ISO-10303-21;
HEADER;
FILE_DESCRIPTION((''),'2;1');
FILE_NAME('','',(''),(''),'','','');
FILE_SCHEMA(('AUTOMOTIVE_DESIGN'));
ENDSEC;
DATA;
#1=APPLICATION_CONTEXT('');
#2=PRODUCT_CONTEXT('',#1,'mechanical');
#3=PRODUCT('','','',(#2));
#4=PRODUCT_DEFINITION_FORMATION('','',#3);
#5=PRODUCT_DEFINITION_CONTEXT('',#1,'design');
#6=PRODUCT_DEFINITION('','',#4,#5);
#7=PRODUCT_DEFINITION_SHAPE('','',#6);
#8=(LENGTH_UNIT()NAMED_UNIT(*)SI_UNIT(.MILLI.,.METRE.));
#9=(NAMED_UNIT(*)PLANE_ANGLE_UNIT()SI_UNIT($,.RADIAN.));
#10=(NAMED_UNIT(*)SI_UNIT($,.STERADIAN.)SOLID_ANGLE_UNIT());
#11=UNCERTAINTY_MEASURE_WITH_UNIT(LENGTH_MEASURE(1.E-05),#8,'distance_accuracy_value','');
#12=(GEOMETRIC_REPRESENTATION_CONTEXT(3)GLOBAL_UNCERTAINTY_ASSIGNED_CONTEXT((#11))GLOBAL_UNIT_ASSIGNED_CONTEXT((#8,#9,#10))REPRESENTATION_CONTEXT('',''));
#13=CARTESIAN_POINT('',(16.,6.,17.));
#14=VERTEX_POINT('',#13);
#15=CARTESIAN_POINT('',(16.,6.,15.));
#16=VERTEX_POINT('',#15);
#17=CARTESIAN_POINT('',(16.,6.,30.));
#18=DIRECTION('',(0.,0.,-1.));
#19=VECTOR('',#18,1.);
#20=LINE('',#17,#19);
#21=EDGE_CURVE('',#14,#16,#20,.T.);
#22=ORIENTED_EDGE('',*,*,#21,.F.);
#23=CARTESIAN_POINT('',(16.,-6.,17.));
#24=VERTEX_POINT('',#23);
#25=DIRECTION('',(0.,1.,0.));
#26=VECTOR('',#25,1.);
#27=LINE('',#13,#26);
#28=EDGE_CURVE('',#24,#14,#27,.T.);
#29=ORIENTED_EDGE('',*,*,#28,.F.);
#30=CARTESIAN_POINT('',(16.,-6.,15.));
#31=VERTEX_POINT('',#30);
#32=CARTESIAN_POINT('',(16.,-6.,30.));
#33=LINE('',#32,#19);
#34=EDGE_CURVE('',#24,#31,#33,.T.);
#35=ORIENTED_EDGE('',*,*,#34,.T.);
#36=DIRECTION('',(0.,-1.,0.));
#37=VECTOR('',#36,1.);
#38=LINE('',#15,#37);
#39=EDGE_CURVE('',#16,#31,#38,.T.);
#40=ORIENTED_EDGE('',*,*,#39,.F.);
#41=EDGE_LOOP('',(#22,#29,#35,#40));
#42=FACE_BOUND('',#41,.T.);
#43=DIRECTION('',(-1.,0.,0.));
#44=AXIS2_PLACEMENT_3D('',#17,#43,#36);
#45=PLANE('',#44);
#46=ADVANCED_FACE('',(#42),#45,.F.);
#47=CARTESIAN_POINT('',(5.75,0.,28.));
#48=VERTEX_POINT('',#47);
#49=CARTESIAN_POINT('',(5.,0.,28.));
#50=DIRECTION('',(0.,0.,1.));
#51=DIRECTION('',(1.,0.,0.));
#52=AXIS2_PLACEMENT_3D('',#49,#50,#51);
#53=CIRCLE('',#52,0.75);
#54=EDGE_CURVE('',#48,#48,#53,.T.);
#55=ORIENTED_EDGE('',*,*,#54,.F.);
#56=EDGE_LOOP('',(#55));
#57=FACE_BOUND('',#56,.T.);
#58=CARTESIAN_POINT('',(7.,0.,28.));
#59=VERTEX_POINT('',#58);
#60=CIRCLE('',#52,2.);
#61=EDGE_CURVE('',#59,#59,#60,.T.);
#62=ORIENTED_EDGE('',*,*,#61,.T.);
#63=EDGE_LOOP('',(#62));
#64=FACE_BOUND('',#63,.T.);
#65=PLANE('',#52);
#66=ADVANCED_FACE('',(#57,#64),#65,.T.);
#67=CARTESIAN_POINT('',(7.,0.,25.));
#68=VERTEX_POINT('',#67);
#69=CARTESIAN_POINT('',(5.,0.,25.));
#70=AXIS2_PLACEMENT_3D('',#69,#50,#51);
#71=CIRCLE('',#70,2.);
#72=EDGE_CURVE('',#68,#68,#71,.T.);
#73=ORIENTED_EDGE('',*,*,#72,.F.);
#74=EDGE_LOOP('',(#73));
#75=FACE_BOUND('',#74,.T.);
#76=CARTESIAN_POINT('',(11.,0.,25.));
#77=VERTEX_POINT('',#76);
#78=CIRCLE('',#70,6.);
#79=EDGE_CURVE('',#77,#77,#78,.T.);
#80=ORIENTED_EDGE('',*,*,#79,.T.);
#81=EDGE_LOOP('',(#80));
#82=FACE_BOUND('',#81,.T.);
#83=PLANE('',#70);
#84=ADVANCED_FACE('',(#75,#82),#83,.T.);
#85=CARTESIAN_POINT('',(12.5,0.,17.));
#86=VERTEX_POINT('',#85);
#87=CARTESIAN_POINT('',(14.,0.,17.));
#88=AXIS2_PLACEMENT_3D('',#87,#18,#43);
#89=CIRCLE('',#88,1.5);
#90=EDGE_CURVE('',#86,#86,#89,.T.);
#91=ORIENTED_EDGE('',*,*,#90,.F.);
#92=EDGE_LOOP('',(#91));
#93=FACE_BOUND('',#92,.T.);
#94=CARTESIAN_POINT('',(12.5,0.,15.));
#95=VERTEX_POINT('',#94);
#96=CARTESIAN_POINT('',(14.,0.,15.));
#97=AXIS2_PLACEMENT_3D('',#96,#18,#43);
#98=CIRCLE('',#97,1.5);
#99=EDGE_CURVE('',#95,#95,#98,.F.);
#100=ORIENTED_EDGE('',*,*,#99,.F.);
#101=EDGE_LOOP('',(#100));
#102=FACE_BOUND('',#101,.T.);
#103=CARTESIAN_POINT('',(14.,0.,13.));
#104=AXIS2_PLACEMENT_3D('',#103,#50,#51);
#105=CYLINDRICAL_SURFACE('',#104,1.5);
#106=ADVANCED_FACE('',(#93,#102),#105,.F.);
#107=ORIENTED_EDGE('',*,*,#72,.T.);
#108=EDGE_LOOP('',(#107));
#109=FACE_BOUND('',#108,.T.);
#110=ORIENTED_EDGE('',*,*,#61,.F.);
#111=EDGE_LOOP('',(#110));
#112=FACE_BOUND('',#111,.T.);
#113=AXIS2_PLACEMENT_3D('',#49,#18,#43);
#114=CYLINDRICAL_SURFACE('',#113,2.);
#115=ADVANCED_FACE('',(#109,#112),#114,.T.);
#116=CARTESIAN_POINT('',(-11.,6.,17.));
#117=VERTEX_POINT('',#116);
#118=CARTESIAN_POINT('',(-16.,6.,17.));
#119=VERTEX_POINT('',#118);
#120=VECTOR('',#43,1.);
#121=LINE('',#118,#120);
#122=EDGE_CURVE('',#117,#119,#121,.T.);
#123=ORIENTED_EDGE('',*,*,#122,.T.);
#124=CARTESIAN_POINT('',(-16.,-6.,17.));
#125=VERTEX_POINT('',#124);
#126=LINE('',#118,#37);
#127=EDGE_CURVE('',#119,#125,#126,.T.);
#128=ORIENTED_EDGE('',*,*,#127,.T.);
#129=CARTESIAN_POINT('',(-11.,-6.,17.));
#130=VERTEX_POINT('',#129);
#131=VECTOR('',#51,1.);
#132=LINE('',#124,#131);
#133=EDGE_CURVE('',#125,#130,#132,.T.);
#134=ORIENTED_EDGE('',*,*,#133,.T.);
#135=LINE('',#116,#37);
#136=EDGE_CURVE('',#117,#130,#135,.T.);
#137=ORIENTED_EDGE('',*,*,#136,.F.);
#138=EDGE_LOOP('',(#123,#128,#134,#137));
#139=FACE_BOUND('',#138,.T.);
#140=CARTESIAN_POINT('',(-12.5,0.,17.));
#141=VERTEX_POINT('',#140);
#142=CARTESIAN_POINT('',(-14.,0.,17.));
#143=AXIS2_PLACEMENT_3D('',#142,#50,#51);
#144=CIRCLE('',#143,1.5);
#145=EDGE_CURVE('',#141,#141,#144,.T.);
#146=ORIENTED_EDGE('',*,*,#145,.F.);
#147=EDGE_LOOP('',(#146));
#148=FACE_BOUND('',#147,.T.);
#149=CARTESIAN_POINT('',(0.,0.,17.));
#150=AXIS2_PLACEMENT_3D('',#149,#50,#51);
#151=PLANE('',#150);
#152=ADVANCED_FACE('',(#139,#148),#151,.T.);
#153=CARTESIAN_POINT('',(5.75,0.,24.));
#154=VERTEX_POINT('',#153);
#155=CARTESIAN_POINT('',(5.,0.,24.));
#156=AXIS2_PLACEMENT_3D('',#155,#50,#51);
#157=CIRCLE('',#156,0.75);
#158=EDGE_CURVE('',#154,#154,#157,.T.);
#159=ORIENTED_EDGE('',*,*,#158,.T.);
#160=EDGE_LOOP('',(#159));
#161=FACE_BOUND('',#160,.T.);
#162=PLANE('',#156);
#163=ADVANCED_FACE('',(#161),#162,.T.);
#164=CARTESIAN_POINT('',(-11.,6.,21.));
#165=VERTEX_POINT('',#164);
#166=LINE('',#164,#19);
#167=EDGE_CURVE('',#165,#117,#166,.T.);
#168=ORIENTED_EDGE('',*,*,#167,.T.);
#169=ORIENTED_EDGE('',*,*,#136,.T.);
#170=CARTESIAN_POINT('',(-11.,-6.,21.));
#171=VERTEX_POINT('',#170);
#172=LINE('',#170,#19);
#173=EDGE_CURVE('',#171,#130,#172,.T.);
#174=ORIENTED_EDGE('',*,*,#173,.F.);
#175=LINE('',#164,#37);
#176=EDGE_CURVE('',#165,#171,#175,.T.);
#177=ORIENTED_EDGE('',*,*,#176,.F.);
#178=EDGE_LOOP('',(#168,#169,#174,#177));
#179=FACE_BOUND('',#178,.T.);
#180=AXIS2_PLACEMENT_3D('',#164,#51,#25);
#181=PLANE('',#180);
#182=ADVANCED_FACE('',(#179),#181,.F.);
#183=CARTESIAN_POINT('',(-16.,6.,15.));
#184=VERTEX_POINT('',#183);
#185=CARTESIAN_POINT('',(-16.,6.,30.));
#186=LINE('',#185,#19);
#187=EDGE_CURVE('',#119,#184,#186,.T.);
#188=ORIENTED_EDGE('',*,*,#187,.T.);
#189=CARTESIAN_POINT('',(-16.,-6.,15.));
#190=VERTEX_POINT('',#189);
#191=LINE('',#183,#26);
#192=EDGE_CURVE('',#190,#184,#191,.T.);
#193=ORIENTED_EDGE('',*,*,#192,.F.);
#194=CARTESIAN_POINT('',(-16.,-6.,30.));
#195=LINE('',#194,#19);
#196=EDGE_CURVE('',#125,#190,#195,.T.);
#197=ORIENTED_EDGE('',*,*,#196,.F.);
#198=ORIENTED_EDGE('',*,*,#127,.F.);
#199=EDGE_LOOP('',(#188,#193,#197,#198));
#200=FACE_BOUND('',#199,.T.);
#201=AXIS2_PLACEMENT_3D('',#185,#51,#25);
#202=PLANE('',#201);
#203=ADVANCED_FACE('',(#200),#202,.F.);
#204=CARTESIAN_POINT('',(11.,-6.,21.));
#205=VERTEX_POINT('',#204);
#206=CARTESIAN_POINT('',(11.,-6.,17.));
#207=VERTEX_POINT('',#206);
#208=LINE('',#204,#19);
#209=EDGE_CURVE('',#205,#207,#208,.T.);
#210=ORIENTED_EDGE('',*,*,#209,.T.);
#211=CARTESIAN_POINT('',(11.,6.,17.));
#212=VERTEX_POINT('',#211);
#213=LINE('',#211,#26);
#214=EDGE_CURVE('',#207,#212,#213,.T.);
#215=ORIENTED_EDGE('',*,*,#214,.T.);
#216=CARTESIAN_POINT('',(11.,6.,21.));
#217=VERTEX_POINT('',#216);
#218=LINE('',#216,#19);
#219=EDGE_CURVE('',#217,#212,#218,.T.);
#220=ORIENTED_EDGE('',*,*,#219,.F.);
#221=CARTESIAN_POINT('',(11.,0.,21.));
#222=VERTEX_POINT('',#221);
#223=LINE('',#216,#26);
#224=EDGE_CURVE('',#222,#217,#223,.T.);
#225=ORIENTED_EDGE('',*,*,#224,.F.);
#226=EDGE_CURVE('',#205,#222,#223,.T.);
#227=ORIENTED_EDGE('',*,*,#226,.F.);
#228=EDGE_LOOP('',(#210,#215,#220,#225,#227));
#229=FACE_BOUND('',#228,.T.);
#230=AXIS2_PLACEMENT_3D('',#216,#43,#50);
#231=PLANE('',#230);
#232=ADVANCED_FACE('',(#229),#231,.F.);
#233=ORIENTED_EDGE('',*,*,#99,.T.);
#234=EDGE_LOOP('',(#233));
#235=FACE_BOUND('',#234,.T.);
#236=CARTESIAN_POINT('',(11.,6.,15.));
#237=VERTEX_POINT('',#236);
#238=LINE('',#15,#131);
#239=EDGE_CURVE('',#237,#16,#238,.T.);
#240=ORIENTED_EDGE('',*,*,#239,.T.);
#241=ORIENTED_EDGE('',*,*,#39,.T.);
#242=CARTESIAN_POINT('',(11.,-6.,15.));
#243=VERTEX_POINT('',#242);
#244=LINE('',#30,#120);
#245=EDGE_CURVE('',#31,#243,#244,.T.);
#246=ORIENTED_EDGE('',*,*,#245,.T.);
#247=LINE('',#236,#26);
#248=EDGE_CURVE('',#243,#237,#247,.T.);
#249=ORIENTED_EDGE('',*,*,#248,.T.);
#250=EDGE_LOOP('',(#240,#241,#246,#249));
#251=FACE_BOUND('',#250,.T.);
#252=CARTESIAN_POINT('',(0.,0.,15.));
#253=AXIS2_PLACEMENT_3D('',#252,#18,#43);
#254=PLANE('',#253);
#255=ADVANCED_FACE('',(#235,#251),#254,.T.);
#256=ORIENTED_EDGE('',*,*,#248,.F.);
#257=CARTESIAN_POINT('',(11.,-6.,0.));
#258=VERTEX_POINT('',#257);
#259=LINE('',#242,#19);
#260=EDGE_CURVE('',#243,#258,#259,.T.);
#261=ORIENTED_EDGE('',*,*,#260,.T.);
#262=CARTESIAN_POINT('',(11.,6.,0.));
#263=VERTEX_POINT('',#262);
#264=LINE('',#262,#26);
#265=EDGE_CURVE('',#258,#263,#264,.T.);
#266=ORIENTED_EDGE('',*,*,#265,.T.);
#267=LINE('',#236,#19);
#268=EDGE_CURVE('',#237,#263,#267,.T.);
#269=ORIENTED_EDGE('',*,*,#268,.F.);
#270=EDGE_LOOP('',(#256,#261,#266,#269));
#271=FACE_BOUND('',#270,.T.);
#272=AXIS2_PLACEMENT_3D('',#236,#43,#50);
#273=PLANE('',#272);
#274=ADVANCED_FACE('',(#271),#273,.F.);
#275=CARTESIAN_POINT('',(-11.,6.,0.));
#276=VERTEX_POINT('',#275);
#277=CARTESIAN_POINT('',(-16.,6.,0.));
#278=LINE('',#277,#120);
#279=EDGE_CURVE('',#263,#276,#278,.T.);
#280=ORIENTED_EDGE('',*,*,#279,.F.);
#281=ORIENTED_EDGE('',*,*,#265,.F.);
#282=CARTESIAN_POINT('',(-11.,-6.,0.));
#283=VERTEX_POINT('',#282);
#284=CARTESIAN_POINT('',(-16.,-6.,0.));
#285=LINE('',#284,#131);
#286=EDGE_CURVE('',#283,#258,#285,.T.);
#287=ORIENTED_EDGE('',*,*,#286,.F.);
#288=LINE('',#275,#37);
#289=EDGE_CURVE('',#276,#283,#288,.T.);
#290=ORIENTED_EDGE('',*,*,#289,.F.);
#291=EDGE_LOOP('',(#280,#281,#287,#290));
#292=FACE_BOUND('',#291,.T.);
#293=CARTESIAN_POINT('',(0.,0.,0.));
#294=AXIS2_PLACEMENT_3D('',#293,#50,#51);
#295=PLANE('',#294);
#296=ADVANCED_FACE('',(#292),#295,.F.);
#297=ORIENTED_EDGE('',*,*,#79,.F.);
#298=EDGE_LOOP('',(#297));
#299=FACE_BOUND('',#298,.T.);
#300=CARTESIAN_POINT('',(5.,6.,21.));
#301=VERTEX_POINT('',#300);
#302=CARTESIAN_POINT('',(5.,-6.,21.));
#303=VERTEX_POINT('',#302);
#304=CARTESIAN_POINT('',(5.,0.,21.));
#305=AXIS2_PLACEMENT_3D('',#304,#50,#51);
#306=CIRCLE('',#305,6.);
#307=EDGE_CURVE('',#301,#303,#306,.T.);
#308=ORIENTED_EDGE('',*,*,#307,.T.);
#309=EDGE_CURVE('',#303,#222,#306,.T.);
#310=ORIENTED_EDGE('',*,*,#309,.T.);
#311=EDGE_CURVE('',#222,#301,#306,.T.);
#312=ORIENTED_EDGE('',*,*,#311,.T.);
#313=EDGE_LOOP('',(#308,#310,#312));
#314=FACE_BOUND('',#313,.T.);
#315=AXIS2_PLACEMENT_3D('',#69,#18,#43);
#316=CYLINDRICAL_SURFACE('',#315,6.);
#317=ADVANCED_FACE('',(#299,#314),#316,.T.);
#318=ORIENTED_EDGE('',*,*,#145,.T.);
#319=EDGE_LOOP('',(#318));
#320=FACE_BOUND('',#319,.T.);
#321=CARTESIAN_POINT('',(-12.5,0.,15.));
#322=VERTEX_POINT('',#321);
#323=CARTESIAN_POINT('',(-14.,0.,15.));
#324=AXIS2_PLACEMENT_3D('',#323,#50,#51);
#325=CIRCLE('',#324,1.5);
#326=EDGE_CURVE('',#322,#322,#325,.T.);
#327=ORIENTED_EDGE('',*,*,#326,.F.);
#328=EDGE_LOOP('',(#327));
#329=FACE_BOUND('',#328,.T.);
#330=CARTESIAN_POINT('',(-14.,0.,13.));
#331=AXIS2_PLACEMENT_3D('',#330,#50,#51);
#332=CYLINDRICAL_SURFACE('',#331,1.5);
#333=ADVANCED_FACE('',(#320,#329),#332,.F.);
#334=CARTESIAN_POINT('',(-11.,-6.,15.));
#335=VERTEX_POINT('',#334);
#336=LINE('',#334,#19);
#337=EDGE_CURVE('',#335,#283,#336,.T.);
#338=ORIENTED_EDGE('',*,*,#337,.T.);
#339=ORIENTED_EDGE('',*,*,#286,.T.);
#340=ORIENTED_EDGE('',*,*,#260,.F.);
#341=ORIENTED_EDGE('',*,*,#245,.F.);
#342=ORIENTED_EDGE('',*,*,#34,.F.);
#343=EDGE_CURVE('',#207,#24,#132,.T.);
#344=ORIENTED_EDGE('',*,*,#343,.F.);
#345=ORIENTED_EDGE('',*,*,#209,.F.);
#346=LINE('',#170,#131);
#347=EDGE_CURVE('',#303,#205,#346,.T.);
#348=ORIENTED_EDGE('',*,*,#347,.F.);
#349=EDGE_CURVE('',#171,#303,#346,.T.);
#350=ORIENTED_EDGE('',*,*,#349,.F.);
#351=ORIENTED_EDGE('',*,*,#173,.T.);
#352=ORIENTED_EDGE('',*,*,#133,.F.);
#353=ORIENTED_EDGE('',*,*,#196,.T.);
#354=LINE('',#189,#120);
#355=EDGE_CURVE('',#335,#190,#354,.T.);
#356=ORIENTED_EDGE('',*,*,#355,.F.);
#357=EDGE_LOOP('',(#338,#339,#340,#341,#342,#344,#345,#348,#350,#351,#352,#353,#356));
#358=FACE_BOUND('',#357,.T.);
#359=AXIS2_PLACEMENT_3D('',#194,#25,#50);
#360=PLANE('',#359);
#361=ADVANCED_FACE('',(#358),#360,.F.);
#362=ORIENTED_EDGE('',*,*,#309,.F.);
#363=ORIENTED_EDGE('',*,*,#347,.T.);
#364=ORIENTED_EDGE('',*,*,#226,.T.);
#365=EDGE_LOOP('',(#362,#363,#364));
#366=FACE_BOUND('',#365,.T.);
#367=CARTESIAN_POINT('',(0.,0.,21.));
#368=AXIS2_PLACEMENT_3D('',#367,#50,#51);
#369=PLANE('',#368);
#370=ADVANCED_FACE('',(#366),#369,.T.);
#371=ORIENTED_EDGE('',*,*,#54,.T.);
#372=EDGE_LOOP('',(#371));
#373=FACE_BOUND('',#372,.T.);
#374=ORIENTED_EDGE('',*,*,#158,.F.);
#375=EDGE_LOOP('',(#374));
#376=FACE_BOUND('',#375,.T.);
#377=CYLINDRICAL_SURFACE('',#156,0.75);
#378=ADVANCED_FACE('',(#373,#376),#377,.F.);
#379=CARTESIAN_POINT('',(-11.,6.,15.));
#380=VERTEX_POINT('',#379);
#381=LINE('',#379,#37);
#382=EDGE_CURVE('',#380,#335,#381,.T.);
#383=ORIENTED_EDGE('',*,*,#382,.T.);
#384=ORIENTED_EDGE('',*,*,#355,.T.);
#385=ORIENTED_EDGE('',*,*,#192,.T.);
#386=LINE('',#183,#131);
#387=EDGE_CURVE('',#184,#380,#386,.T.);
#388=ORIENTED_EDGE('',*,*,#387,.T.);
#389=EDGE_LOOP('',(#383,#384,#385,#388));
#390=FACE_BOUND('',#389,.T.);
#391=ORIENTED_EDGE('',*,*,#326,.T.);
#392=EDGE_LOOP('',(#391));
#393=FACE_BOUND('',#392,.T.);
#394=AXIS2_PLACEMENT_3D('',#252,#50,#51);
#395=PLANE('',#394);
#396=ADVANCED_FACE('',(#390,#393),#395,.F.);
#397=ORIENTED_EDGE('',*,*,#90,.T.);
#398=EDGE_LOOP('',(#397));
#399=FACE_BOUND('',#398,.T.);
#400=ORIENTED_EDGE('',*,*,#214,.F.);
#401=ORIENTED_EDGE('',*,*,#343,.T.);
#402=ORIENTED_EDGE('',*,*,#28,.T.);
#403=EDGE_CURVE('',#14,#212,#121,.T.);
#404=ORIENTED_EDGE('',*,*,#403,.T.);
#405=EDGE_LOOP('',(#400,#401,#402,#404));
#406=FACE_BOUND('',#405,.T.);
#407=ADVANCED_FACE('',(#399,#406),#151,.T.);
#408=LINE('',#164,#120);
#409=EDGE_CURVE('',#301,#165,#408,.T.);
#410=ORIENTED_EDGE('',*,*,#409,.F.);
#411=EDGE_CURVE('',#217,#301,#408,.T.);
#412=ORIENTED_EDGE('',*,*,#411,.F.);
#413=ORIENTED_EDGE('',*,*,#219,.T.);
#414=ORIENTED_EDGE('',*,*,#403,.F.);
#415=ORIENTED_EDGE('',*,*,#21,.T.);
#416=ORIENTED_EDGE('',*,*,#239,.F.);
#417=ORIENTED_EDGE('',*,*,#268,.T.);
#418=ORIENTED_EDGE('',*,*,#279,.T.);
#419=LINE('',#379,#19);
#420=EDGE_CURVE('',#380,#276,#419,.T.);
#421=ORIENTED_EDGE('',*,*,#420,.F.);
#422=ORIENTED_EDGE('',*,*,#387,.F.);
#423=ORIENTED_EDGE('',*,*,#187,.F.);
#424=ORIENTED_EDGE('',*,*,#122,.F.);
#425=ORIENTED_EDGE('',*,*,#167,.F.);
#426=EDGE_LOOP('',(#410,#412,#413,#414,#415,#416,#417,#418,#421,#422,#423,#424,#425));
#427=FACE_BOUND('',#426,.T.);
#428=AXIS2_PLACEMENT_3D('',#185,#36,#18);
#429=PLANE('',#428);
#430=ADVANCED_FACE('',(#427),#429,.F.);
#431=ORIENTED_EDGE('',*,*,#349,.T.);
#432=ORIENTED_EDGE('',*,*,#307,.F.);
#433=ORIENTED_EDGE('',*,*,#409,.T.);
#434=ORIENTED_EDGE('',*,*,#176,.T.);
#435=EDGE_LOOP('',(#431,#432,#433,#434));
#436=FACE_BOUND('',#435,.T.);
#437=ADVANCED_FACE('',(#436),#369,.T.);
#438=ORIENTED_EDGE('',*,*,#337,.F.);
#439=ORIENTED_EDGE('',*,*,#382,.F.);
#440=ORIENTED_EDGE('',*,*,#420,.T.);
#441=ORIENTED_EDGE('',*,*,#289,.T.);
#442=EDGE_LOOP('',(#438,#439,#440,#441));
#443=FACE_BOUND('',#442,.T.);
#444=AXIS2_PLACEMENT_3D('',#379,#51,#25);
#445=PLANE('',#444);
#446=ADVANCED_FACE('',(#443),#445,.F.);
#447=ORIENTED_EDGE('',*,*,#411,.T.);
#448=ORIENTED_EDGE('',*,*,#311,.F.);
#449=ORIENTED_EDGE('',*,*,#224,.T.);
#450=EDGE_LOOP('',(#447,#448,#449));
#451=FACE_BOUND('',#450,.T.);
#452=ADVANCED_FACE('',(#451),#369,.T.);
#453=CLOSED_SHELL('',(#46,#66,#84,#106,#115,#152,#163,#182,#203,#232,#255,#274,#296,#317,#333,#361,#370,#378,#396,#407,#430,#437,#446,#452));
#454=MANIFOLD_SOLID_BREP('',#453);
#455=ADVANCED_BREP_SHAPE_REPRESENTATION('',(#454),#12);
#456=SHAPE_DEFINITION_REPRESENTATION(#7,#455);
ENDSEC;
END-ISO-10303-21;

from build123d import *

# Parameters (mm, degrees)
CROQUIS1_W              = 32
CROQUIS1_H              = 12
SALIENTE_EXTRUIR1_DEPTH = 30
CROQUIS2_W              = 5
CROQUIS2_H              = 12
CORTAR_EXTRUIR1_DEPTH   = 15
CROQUIS3_W              = 32
CROQUIS3_H              = 12
CORTAR_EXTRUIR3_DEPTH   = 13
CROQUIS4_W              = 22
CROQUIS4_H              = 12
SALIENTE_EXTRUIR2_DEPTH = 4
CROQUIS5_R              = 6
SALIENTE_EXTRUIR3_DEPTH = 4
CROQUIS6_R              = 2
SALIENTE_EXTRUIR4_DEPTH = 3
CROQUIS7_R              = 0.75
CORTAR_EXTRUIR4_DEPTH   = 4
CROQUIS8_R              = 1.5
CORTAR_EXTRUIR5_DEPTH   = 4


with BuildPart() as part:
    # Croquis1 → Saliente-Extruir1 (new body)
    with BuildSketch(Plane.XY):
        Rectangle(CROQUIS1_W, CROQUIS1_H)
    extrude(amount=SALIENTE_EXTRUIR1_DEPTH)

    # Croquis2 → Cortar-Extruir1 (cut)
    with BuildSketch(Plane(origin=(0, 0, 0), x_dir=(-1, 0, 0), z_dir=(0, 0, -1))):
        with Locations((-13.5, 0)):
            Rectangle(CROQUIS2_W, CROQUIS2_H)
        with Locations((13.5, 0)):
            Rectangle(CROQUIS2_W, CROQUIS2_H)
    extrude(amount=-CORTAR_EXTRUIR1_DEPTH, mode=Mode.SUBTRACT)

    # Croquis3 → Cortar-Extruir3 (cut)
    with BuildSketch(Plane.XY.offset(30)):
        Rectangle(CROQUIS3_W, CROQUIS3_H)
    extrude(amount=-CORTAR_EXTRUIR3_DEPTH, mode=Mode.SUBTRACT)

    # Croquis4 → Saliente-Extruir2 (add)
    with BuildSketch(Plane.XY.offset(17)):
        Rectangle(CROQUIS4_W, CROQUIS4_H)
    extrude(amount=SALIENTE_EXTRUIR2_DEPTH)

    # Croquis5 → Saliente-Extruir3 (add)
    with BuildSketch(Plane.XY.offset(21)):
        with Locations((5, 0)):
            Circle(CROQUIS5_R)
    extrude(amount=SALIENTE_EXTRUIR3_DEPTH)

    # Croquis6 → Saliente-Extruir4 (add)
    with BuildSketch(Plane.XY.offset(25)):
        with Locations((5, 0)):
            Circle(CROQUIS6_R)
    extrude(amount=SALIENTE_EXTRUIR4_DEPTH)

    # Croquis7 → Cortar-Extruir4 (cut)
    with BuildSketch(Plane.XY.offset(28)):
        with Locations((5, 0)):
            Circle(CROQUIS7_R)
    extrude(amount=-CORTAR_EXTRUIR4_DEPTH, mode=Mode.SUBTRACT)

    # Croquis8 → Cortar-Extruir5 (cut)
    with BuildSketch(Plane.XY.offset(17)):
        with Locations((-14, 0)):
            Circle(CROQUIS8_R)
    cortar_extruir5 = extrude(amount=-CORTAR_EXTRUIR5_DEPTH, mode=Mode.SUBTRACT)

    # Simetría1: Cortar-Extruir5 across plane
    add(cortar_extruir5.mirror(Plane(origin=(0, 0, 0), x_dir=(0, 0, 1), z_dir=(1, 0, 0))), mode=Mode.SUBTRACT)


solid = part.part
